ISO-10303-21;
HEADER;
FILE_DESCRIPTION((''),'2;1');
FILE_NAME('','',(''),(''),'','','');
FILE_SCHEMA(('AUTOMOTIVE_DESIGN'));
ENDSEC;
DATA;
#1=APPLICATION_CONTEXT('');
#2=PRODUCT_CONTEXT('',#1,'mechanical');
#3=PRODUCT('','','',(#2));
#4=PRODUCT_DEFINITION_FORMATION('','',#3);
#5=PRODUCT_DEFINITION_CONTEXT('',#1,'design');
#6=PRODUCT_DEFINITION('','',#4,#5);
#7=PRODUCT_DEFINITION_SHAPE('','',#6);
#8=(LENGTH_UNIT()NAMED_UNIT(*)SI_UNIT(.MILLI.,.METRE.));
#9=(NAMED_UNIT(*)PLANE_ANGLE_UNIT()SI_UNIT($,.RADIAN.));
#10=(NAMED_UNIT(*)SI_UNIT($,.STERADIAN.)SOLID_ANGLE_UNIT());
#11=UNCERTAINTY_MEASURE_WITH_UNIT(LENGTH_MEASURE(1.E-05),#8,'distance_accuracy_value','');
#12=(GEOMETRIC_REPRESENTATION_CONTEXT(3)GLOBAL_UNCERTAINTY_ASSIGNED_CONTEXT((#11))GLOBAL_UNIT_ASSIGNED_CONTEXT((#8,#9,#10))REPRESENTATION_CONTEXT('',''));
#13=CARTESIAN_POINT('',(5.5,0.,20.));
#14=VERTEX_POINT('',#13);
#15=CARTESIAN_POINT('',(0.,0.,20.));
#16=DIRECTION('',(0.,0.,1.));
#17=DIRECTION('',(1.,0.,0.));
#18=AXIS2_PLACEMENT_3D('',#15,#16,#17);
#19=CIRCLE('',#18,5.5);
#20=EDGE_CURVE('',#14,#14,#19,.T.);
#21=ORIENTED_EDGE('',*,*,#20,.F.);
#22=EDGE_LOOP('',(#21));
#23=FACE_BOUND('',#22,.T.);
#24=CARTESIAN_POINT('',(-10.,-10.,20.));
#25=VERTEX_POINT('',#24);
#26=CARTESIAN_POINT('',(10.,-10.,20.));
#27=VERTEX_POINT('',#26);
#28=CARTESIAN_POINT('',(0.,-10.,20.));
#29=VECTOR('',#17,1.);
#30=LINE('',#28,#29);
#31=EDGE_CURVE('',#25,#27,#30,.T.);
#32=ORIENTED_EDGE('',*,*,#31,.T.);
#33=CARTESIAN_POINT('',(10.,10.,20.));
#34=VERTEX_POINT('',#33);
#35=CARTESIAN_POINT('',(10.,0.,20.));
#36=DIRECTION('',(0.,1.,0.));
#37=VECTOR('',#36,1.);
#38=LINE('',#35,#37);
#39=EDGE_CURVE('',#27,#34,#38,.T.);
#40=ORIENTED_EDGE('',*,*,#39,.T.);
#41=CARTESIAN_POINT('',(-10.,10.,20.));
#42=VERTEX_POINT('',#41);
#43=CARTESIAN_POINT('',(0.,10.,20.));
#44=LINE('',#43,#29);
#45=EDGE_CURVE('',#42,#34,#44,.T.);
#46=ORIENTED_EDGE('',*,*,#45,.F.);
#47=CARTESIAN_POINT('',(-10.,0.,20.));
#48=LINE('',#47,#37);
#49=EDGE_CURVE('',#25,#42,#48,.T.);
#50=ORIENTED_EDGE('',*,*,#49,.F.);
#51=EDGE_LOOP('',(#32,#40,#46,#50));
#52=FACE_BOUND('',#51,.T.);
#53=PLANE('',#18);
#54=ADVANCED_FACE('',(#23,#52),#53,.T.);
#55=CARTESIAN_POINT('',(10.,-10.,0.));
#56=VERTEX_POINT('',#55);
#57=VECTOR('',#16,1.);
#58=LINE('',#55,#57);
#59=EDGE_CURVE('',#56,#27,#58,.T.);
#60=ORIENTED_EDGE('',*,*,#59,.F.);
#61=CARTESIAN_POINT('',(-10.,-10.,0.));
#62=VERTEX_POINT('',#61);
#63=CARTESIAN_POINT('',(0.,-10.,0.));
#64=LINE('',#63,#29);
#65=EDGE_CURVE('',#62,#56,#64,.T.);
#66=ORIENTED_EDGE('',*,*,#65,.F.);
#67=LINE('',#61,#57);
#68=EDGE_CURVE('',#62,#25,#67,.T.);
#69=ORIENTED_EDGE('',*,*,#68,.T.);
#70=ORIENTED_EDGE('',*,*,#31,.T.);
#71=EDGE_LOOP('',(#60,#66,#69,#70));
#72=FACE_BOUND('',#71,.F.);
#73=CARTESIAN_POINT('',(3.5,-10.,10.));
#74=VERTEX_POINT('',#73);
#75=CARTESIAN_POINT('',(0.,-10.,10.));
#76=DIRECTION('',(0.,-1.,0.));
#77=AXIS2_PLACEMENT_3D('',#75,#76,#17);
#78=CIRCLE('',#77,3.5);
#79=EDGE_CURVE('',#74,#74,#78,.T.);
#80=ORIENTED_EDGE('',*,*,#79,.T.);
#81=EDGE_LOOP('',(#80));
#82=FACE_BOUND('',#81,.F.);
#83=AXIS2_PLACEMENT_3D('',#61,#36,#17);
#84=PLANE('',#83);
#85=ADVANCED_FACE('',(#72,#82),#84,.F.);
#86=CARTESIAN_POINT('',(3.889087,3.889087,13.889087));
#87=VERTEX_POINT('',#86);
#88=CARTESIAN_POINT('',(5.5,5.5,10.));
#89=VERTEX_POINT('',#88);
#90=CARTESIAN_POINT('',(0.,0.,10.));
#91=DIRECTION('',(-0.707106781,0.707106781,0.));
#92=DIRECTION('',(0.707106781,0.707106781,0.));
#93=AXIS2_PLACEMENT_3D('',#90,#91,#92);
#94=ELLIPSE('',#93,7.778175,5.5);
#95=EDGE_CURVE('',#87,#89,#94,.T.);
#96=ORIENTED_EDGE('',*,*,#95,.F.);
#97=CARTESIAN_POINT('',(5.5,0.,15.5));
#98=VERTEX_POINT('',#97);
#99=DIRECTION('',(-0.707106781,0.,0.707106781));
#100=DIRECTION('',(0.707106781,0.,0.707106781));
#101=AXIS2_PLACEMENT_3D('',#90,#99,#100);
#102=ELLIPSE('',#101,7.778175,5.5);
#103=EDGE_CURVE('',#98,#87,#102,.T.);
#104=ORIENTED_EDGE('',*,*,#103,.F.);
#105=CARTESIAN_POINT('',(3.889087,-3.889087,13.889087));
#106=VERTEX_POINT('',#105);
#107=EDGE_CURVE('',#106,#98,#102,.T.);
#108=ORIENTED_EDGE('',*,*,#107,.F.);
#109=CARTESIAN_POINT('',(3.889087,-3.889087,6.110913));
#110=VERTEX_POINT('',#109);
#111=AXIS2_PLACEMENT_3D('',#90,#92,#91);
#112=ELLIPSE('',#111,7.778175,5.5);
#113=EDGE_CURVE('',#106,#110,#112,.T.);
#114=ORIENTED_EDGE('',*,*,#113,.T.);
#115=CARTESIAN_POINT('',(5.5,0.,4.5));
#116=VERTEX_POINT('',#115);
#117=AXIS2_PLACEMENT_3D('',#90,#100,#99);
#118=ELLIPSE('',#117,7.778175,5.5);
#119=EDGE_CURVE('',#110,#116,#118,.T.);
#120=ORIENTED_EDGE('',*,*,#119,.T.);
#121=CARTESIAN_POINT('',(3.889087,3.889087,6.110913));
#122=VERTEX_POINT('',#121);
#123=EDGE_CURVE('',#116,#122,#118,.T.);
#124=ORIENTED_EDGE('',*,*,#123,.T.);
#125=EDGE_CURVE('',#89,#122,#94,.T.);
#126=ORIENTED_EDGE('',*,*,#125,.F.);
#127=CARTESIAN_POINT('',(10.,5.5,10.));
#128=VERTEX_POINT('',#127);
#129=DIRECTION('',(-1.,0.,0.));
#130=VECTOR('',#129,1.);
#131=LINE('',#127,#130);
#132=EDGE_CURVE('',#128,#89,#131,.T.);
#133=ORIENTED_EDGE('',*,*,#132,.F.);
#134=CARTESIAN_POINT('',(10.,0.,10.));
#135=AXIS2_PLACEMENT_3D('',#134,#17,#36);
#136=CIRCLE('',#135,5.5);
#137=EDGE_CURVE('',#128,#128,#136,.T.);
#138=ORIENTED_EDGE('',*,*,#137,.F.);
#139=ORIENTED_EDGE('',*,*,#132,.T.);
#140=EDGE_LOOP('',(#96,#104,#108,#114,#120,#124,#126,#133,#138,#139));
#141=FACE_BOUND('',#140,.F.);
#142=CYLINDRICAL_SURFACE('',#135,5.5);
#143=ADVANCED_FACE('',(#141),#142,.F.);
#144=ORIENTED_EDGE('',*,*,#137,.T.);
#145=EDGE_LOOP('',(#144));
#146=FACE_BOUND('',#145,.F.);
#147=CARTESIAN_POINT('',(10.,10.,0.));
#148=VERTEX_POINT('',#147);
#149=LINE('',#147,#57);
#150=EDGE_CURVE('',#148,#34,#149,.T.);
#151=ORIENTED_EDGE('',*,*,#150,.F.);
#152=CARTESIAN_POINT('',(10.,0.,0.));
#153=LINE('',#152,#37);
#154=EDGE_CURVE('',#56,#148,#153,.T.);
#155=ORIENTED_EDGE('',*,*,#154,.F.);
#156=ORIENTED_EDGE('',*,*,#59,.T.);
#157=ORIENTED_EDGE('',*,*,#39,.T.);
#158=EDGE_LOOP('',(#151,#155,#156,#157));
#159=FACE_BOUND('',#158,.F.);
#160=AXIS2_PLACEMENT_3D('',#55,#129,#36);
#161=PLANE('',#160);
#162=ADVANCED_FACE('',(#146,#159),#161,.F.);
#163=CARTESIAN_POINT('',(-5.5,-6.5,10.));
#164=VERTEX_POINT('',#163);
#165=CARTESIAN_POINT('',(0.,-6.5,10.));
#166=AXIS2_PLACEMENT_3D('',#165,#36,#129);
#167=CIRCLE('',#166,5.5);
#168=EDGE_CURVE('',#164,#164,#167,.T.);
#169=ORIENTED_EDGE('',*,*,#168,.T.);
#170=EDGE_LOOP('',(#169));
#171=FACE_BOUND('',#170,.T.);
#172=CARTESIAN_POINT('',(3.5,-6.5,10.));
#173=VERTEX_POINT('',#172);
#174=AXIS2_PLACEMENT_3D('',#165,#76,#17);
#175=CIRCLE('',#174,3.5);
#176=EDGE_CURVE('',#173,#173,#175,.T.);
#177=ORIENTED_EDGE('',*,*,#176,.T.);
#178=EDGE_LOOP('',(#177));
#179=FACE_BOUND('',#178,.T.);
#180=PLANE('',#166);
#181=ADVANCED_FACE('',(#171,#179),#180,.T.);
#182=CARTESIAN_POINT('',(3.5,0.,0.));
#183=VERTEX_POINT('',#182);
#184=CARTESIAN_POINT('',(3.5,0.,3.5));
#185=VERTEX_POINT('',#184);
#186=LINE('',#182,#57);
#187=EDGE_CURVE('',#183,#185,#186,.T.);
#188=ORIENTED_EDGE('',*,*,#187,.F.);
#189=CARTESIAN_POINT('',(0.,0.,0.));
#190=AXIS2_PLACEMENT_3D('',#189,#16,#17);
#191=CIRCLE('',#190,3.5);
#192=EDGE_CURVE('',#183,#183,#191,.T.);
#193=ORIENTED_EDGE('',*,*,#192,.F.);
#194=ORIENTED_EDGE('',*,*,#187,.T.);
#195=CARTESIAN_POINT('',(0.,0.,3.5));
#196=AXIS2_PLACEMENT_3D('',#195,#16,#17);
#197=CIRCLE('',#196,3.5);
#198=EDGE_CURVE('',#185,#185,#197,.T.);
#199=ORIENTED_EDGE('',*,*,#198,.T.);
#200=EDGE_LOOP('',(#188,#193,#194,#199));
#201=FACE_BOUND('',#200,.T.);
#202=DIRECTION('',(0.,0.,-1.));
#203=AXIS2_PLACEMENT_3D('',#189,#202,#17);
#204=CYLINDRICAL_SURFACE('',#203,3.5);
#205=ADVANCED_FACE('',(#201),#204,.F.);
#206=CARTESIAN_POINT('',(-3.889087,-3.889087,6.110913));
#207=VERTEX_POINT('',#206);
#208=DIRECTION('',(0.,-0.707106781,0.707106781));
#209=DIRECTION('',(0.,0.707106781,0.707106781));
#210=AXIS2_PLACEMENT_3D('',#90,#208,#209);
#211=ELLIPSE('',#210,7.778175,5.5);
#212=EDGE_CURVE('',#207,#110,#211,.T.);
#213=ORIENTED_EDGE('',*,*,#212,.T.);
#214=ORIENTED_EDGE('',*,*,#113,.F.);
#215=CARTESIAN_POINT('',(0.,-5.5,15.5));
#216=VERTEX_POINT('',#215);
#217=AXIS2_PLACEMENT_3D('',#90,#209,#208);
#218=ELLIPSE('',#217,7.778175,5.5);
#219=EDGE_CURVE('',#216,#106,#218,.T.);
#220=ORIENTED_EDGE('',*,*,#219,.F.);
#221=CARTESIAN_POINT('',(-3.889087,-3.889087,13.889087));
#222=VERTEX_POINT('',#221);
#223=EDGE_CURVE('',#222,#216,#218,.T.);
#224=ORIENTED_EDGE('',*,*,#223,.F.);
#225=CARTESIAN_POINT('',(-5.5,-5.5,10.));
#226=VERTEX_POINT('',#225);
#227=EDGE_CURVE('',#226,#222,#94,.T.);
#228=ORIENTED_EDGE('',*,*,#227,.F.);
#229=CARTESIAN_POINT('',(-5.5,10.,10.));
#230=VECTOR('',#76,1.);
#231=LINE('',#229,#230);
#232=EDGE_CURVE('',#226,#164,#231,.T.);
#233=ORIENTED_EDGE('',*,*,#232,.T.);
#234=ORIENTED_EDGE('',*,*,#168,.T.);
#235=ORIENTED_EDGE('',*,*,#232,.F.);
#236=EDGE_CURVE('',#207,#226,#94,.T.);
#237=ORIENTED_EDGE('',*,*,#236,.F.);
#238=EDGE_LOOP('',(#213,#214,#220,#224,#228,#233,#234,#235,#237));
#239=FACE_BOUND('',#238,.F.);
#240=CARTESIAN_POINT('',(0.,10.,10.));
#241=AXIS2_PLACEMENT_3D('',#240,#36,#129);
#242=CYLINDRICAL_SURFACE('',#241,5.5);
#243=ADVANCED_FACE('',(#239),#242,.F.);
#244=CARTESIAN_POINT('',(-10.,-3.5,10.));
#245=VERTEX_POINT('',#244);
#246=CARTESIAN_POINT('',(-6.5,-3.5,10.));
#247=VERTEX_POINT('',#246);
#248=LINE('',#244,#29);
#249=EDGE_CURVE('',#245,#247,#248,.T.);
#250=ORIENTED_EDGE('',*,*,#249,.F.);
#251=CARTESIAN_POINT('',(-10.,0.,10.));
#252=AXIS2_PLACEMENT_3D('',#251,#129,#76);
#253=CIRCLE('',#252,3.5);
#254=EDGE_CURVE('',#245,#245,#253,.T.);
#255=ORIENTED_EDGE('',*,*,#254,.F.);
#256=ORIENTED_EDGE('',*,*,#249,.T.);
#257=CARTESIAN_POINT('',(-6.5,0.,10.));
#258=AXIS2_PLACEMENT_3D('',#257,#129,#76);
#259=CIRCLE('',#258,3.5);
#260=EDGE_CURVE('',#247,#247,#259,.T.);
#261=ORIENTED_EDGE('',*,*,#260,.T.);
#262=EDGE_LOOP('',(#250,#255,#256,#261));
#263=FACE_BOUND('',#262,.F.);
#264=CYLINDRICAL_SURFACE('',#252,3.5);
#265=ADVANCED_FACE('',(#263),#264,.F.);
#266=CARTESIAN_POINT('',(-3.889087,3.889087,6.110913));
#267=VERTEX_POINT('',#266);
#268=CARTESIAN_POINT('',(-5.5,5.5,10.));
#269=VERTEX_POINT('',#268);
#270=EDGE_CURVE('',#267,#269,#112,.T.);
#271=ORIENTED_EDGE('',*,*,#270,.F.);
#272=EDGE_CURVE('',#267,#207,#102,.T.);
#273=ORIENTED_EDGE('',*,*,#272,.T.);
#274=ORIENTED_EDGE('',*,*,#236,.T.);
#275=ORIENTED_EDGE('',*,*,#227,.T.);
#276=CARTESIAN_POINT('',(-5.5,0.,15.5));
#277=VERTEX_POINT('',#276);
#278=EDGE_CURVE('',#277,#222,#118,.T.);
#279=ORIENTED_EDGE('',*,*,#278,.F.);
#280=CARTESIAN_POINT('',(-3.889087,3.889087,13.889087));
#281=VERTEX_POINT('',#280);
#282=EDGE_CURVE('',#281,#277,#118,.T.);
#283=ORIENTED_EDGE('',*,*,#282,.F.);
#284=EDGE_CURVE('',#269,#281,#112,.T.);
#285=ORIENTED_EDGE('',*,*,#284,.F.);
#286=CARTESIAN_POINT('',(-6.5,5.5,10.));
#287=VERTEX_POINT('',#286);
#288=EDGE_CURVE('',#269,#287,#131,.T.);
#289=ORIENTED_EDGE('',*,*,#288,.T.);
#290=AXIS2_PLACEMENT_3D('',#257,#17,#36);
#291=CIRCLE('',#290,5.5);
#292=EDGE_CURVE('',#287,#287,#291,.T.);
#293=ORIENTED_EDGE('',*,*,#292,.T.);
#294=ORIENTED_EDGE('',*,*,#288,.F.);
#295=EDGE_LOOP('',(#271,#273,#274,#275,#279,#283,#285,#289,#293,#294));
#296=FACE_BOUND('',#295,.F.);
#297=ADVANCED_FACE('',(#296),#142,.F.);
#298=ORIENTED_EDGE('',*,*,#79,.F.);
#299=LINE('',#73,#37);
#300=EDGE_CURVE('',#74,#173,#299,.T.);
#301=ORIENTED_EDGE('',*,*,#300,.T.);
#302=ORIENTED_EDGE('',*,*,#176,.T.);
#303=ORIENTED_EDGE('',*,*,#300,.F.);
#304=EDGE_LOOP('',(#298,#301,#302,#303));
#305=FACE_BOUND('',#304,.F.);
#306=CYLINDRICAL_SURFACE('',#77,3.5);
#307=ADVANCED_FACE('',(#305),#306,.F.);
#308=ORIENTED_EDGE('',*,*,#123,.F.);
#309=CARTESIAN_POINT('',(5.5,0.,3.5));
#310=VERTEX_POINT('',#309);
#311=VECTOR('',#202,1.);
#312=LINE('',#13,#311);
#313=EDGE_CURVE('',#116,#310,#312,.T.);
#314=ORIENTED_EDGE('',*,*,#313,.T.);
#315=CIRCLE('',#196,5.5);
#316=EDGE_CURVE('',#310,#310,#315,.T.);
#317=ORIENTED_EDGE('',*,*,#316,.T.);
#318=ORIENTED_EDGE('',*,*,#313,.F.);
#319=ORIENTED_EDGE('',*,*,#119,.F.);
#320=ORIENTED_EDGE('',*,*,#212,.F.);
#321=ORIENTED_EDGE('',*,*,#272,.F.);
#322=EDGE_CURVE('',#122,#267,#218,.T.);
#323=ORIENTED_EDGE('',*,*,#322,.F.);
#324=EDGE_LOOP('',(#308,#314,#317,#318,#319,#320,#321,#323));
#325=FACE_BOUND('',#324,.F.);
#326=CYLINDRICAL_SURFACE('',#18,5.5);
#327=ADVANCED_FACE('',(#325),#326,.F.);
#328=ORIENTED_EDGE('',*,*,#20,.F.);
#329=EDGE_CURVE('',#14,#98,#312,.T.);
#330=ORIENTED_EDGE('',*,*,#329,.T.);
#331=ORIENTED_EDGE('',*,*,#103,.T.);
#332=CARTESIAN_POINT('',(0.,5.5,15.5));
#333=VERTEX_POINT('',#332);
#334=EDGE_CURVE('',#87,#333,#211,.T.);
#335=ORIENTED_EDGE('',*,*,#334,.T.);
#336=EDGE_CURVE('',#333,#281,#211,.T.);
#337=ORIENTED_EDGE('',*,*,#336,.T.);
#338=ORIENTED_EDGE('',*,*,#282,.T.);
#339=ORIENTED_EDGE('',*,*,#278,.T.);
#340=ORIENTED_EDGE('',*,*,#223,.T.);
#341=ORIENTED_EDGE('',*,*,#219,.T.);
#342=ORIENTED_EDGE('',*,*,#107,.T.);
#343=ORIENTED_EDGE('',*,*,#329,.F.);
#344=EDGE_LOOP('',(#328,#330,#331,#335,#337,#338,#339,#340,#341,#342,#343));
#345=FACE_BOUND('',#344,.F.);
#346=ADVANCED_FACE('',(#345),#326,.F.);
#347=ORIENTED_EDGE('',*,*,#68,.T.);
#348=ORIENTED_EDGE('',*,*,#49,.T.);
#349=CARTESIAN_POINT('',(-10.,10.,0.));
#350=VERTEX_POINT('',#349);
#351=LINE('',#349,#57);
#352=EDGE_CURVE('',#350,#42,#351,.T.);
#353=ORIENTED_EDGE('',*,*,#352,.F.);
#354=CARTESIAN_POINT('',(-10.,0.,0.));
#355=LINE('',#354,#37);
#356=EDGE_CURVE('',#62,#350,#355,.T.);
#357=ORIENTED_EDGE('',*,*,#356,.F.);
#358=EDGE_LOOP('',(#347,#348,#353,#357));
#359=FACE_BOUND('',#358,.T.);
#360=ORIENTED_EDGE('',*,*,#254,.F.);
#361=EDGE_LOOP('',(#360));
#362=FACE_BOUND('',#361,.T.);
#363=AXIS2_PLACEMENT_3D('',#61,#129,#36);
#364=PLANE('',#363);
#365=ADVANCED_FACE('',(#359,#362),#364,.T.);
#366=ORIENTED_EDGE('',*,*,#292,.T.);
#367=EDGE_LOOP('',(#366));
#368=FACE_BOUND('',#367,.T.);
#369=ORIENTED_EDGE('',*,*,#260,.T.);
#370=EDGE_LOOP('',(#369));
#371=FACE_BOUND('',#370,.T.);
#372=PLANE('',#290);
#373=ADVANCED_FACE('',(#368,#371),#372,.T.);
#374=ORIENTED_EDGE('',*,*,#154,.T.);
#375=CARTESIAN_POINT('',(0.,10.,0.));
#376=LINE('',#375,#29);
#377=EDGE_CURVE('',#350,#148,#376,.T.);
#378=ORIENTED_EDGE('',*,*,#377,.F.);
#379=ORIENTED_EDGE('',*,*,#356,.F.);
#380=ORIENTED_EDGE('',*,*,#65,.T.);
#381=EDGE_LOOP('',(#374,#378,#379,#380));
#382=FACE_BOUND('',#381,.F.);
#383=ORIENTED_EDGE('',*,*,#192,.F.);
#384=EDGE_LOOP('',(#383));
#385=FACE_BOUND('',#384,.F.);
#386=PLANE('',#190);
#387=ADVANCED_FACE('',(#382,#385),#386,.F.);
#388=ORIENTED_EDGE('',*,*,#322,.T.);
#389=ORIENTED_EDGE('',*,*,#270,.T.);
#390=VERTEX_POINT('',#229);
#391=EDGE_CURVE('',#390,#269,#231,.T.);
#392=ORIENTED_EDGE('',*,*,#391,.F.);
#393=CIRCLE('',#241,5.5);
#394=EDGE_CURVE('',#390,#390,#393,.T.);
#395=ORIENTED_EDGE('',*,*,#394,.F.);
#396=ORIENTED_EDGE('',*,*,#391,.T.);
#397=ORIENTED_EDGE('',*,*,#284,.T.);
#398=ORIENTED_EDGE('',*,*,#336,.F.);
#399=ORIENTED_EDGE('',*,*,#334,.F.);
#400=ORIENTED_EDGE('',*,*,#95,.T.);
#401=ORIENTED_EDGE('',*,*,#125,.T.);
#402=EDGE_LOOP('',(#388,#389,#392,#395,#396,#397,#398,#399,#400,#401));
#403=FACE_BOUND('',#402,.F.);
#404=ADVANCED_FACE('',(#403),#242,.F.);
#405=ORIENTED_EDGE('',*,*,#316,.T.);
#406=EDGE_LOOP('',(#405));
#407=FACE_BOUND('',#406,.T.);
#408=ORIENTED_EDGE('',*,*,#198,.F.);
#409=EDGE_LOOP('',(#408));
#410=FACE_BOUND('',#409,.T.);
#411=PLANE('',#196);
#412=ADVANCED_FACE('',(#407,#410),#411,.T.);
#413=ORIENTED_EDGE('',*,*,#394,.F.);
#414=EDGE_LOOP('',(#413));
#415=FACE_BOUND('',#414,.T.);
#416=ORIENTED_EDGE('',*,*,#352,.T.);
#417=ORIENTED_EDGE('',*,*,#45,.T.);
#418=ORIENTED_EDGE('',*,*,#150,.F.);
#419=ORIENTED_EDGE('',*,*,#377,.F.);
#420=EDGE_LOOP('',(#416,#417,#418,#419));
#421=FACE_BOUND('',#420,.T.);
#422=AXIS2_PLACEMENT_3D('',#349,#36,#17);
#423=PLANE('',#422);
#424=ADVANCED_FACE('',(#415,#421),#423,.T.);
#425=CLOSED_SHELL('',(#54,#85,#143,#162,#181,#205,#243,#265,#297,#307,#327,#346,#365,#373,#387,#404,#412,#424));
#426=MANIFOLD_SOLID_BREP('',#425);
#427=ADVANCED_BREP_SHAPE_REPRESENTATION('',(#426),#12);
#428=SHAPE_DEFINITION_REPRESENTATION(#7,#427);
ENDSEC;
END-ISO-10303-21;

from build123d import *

# Parameters (mm, degrees)
F0_W      = 20
F0_H      = 20
F0_R      = 3.5
F1_DEPTH  = 20
F2_R      = 3.5
F3_DEPTH  = 20
F4_R      = 3.5
F5_DEPTH  = 20
F6_R      = 5.5
F6_R_2    = 3.5
F7_DEPTH  = 16.5
F8_R      = 5.5
F9_DEPTH  = 16.5
F10_R     = 5.5
F11_DEPTH = 16.5


with BuildPart() as f1:
    # F0 (on Top) → F1 (new body)
    with BuildSketch(Plane.XY):
        Rectangle(F0_W, F0_H)
        Circle(F0_R, mode=Mode.SUBTRACT)
    extrude(amount=F1_DEPTH)

    # F2 (on face) → F3 (cut)
    with BuildSketch(Plane.XZ.offset(10)):
        with Locations((0, 10)):
            Circle(F2_R)
    extrude(amount=-F3_DEPTH, mode=Mode.SUBTRACT)

    # F4 (on face) → F5 (cut)
    with BuildSketch(Plane(origin=(-10, 0, 0), x_dir=(0, -1, 0), z_dir=(-1, 0, 0))):
        with Locations((0, 10)):
            Circle(F4_R)
    extrude(amount=-F5_DEPTH, mode=Mode.SUBTRACT)

    # F6 (on face) → F7 (cut)
    with BuildSketch(Plane.XY.offset(20)):
        Circle(F6_R)
        Circle(F6_R_2, mode=Mode.SUBTRACT)
    extrude(amount=-F7_DEPTH, mode=Mode.SUBTRACT)

    # F8 (on face) → F9 (cut)
    with BuildSketch(Plane(origin=(0, 10, 0), x_dir=(-1, 0, 0), z_dir=(0, 1, 0))):
        with Locations((0, 10)):
            Circle(F8_R)
    extrude(amount=-F9_DEPTH, mode=Mode.SUBTRACT)

    # F10 (on face) → F11 (cut)
    with BuildSketch(Plane.YZ.offset(10)):
        with Locations((0, 10)):
            Circle(F10_R)
    extrude(amount=-F11_DEPTH, mode=Mode.SUBTRACT)


solid = f1.part
